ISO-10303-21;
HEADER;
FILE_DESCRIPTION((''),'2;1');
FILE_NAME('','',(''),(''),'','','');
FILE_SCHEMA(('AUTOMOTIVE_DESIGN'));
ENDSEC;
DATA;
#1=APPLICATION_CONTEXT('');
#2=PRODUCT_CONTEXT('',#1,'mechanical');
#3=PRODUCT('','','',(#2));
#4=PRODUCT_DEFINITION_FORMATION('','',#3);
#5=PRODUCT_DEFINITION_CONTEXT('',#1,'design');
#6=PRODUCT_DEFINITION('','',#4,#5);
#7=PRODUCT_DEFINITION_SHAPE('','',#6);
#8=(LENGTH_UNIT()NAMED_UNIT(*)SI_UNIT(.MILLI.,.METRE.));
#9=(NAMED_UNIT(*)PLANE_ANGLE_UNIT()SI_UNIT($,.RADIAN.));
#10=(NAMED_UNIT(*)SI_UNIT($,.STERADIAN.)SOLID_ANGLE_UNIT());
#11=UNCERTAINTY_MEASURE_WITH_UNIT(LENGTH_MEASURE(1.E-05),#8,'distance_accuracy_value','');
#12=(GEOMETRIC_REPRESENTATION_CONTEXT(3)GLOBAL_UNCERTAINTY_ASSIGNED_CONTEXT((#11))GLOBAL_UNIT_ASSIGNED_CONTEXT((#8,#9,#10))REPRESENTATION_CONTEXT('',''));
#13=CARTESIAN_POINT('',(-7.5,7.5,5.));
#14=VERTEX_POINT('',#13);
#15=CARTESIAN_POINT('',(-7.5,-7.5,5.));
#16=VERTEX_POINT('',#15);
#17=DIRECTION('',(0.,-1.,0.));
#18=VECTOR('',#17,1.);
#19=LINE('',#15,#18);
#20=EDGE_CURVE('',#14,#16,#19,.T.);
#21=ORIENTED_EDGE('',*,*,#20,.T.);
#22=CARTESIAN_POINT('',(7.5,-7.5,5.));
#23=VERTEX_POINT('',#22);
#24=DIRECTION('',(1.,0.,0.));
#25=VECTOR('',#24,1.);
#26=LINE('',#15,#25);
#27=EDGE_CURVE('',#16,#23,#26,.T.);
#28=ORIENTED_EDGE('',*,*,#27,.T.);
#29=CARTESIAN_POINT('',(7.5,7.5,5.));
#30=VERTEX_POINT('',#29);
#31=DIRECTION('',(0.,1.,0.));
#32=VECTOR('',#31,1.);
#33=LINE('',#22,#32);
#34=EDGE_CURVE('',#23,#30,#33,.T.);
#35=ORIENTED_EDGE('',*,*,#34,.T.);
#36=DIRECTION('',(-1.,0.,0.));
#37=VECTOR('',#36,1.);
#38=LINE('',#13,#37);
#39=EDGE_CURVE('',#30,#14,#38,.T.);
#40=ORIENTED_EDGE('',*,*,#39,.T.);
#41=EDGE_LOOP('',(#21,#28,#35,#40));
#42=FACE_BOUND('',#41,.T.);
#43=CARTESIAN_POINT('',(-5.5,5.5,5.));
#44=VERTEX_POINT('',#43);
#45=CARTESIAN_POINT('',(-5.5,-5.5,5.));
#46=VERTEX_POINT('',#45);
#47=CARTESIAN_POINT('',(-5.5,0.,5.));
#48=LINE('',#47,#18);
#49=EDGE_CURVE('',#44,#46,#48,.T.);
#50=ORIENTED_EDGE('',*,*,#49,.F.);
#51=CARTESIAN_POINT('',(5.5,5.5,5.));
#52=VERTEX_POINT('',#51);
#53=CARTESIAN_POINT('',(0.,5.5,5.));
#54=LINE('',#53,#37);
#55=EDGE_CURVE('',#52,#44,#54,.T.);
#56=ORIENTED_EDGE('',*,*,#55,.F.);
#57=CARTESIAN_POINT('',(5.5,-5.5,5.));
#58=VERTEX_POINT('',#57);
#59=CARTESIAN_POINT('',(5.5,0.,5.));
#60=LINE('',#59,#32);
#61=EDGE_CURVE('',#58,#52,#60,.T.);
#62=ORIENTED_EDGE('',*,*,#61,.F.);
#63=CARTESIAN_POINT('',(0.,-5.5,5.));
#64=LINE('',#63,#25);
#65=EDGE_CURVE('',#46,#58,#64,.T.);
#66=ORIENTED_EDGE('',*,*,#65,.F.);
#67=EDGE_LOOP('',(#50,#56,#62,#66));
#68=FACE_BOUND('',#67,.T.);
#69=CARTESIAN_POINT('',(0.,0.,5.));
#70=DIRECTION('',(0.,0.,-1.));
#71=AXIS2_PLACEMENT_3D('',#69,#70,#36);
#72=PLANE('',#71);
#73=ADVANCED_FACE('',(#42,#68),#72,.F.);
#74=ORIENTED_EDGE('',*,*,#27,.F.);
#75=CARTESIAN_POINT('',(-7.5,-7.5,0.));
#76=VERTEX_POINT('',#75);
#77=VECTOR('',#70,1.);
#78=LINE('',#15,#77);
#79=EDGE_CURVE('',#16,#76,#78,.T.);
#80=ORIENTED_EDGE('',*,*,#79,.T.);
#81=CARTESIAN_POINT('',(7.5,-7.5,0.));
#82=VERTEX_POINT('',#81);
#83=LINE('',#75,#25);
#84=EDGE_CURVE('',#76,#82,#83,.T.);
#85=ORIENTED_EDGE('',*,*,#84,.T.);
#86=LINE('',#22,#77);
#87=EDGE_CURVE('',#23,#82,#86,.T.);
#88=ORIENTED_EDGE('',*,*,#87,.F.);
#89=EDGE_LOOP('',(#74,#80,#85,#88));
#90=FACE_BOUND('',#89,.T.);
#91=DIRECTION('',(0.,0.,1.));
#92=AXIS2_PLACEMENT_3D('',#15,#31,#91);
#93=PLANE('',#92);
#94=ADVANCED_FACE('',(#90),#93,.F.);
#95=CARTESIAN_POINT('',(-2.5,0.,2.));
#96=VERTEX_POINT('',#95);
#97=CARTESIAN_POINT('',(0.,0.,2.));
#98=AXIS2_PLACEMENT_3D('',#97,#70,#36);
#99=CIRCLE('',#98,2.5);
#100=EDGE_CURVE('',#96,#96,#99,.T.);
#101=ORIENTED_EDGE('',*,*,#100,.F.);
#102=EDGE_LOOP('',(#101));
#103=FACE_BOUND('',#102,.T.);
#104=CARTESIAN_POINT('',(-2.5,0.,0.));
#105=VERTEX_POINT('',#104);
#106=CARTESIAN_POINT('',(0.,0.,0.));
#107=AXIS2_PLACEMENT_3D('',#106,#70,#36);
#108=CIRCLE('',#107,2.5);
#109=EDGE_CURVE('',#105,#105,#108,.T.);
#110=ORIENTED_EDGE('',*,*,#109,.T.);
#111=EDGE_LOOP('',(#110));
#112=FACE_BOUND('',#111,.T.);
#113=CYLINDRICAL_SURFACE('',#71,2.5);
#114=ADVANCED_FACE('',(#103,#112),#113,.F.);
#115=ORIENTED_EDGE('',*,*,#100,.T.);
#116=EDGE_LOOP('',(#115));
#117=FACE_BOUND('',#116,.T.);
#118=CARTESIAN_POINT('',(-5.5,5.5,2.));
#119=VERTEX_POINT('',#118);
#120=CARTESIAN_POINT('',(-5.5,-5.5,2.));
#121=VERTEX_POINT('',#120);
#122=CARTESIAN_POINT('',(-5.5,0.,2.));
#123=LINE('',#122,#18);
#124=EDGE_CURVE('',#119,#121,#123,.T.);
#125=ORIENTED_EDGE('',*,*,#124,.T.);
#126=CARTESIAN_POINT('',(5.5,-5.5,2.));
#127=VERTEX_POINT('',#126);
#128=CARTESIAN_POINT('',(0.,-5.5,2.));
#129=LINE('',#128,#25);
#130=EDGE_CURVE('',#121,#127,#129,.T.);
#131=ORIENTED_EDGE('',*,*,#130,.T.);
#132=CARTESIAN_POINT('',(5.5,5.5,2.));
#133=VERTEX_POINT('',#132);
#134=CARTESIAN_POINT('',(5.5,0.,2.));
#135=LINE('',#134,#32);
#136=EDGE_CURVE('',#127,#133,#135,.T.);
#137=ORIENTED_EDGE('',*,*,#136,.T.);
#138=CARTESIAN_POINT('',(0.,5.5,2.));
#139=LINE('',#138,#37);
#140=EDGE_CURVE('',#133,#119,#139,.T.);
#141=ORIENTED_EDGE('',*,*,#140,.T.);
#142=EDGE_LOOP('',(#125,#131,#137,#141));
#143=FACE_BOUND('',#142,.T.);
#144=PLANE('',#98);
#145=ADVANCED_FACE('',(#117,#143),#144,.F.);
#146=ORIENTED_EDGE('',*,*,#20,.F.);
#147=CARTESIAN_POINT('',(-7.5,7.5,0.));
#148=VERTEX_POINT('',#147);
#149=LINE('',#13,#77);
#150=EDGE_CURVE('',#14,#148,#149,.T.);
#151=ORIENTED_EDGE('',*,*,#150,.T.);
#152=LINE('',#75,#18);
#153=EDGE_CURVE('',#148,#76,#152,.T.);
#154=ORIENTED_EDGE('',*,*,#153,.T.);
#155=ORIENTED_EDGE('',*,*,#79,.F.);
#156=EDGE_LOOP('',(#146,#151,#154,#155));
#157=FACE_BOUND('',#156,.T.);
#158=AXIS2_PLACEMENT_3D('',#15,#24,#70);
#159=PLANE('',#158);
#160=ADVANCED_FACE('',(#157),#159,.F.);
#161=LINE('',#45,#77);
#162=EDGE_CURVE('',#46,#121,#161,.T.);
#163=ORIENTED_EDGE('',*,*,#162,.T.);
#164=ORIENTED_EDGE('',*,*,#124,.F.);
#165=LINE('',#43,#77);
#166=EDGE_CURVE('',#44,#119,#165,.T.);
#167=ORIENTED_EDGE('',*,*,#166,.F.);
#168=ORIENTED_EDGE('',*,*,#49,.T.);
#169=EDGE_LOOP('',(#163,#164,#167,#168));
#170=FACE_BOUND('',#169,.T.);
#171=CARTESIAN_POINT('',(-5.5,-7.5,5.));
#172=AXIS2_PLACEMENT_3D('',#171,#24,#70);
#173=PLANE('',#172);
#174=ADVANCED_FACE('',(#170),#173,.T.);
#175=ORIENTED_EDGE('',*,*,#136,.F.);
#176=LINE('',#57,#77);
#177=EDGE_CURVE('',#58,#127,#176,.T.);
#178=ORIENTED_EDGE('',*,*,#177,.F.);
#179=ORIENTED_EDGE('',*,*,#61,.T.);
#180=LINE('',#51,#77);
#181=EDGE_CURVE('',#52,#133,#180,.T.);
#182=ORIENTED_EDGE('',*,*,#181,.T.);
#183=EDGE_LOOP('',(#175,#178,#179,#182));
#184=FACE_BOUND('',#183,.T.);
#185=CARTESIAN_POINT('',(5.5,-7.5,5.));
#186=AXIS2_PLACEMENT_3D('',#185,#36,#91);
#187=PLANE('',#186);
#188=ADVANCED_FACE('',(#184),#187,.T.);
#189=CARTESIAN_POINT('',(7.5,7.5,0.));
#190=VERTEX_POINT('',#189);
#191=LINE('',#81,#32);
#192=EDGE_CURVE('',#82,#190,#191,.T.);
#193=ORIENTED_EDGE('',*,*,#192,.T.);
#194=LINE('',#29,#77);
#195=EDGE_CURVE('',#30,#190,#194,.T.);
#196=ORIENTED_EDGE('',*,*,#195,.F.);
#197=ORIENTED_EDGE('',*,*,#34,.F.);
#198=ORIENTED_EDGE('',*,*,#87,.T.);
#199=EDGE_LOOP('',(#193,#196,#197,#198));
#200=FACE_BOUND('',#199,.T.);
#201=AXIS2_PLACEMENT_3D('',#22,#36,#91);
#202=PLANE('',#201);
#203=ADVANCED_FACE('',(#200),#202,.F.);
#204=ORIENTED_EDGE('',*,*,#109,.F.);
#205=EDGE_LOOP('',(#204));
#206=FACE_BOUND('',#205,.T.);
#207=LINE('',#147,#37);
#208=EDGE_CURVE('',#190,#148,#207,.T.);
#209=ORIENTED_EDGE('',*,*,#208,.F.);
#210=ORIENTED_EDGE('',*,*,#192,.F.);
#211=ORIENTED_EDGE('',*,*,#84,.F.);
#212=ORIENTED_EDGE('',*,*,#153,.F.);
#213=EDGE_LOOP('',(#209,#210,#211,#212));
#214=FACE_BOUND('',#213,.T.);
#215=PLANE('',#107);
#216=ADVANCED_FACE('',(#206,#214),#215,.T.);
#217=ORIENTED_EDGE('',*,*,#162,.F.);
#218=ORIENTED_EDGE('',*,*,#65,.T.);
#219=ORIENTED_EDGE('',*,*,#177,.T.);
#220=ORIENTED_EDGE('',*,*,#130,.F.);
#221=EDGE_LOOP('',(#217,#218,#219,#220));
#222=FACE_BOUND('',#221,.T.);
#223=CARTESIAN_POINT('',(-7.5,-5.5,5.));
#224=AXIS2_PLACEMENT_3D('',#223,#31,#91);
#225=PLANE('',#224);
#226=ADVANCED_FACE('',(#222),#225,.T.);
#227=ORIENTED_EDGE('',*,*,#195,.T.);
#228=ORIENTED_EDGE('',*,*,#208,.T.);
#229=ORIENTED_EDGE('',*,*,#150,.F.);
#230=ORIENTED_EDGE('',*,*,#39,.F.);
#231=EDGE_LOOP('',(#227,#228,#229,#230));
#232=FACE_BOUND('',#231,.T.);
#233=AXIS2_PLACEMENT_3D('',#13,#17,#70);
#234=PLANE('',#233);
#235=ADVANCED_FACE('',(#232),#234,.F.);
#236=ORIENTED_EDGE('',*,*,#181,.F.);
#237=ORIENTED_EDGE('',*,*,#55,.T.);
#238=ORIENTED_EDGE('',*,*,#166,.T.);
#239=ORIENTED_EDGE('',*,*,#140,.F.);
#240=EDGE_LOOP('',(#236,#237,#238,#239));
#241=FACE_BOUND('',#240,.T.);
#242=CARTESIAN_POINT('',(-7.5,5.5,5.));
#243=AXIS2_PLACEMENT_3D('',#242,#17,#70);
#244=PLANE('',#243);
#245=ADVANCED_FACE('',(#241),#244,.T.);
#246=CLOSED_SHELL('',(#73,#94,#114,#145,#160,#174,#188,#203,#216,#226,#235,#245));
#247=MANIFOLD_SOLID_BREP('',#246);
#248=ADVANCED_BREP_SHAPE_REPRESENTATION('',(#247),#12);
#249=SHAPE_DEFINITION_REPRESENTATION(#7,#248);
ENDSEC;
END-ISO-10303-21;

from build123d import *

# Parameters (mm, degrees)
SKETCH_1_W          = 15
SKETCH_1_H          = 15
EXTRUDE_2_DEPTH     = 5
SHELL_1_T           = -2
SKETCH_2_R          = 2.5
CUT_EXTRUDE_1_DEPTH = 5


with BuildPart() as part:
    # 草图1 → 凸台-拉伸2 (new body)
    with BuildSketch(Plane.XY):
        Rectangle(SKETCH_1_W, SKETCH_1_H)
    extrude(amount=EXTRUDE_2_DEPTH)

    # 抽壳1
    shell_1_openings = [part.faces().sort_by_distance(p)[0] for p in [
        (0, 0, 5),
    ]]
    offset(amount=SHELL_1_T, openings=shell_1_openings, kind=Kind.INTERSECTION)

    # 草图2 → 切除-拉伸1 (cut)
    with BuildSketch(Plane(origin=(0, 0, 0), x_dir=(-1, 0, 0), z_dir=(0, 0, -1))):
        Circle(SKETCH_2_R)
    extrude(amount=-CUT_EXTRUDE_1_DEPTH, mode=Mode.SUBTRACT)


solid = part.part
